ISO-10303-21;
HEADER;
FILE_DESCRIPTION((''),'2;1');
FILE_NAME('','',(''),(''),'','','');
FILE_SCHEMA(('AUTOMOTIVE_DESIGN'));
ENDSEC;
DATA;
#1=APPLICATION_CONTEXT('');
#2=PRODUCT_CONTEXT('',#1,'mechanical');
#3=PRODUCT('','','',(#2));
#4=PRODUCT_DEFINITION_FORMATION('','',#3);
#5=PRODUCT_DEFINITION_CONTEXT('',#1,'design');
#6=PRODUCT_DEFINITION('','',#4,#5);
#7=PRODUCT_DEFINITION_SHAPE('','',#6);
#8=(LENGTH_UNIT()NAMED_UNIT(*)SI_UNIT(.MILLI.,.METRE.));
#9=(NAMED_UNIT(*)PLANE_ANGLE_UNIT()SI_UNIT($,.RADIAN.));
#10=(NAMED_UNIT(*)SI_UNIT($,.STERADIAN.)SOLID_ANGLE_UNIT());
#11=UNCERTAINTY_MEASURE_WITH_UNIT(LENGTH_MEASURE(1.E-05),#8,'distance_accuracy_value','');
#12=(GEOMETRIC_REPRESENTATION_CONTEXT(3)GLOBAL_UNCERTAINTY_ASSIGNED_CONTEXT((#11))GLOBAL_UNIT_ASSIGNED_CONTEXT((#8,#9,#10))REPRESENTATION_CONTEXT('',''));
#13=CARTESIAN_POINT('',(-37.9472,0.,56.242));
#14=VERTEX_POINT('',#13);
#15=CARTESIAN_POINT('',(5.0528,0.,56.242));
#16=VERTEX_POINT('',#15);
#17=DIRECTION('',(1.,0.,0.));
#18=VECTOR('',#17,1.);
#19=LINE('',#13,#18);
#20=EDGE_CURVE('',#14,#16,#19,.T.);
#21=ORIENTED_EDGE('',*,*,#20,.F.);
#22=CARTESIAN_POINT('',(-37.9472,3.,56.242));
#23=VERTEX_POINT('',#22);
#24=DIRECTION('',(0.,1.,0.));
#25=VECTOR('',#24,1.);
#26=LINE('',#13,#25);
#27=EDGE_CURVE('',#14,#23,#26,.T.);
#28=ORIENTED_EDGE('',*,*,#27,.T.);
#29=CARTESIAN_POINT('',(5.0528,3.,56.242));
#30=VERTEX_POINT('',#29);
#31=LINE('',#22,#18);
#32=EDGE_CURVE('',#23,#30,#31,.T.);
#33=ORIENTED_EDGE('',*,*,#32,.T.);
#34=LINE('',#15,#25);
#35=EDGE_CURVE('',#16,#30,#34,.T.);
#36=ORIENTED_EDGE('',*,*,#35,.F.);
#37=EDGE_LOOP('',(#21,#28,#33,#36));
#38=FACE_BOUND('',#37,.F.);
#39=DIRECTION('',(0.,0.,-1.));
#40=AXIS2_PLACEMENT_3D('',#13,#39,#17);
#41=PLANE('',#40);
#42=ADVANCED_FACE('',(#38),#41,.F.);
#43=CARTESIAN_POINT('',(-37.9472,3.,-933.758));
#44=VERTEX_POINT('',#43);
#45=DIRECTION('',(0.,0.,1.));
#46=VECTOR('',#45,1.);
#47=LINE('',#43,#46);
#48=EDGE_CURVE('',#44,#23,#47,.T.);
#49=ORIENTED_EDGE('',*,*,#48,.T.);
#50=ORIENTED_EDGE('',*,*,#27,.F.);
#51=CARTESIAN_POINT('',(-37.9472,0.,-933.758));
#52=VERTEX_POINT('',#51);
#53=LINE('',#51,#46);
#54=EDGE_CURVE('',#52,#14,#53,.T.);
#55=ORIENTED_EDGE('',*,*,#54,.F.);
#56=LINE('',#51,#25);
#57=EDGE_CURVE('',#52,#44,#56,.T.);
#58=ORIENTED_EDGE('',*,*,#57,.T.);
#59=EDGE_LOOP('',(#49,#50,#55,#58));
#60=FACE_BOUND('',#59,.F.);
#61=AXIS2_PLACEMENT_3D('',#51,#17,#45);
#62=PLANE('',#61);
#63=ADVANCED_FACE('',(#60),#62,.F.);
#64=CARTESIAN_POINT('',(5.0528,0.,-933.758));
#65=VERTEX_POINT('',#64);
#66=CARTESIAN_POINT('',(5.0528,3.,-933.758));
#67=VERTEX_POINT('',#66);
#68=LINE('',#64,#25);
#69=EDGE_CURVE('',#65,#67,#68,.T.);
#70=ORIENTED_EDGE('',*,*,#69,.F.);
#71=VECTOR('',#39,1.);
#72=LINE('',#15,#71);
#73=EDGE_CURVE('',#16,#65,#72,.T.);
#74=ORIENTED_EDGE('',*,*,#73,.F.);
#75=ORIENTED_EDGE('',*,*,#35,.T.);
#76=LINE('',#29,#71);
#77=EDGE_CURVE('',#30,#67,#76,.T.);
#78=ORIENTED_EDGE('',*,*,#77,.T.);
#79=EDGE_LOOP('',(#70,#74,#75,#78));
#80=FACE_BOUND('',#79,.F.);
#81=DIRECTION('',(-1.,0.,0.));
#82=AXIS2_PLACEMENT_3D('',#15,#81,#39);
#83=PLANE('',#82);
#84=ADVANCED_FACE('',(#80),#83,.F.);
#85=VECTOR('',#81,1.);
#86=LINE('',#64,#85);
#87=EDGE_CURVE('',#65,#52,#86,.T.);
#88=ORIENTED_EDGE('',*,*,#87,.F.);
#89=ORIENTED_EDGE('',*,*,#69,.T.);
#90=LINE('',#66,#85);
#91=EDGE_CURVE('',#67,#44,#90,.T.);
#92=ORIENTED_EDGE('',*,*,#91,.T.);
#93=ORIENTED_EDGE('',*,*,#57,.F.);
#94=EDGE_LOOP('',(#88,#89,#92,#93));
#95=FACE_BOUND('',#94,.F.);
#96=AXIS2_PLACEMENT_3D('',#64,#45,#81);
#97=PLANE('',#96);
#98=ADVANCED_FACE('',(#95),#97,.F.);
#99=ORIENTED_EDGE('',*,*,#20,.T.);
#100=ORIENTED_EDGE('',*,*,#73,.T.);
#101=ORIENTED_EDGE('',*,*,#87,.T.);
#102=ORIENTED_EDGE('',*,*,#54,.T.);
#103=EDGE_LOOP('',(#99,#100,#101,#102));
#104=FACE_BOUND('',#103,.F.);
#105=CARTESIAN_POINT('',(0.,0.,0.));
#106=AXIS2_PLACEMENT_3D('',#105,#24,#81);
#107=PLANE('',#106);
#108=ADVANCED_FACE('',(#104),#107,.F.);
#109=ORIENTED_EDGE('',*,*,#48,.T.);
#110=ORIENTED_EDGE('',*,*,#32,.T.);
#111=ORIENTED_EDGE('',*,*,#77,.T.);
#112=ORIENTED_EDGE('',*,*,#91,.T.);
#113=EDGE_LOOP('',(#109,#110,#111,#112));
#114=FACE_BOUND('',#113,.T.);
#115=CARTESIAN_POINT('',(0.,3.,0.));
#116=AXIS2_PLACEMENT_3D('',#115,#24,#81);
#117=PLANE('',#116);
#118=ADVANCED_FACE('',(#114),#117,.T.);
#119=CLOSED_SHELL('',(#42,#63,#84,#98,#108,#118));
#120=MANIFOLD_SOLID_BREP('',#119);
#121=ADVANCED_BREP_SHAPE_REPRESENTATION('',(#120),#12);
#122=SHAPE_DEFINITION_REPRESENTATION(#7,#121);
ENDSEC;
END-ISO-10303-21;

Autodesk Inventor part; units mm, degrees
ref_plane "YZ Plane" through (0, 0, 0) normal (1, 0, 0) x (0, 1, 0)
ref_plane "XZ Plane" through (0, 0, 0) normal (0, 1, 0) x (-1, 0, 0)
ref_plane "XY Plane" through (0, 0, 0) normal (0, 0, 1) x (1, 0, 0)
sketch "Szkic1" plane through (0, 0, 0) normal (0, 1, 0) x (-1, 0, 0)
  line L0 (37.9472, 56.242) -> (-5.0528, 56.242)
  line L1 (-5.0528, 56.242) -> (-5.0528, -933.758)
  line L2 (-5.0528, -933.758) -> (37.9472, -933.758)
  line L3 (37.9472, -933.758) -> (37.9472, 56.242)
  point P0 (0, 0)
  dimension "d0" = 990
  dimension "d1" = 43
extrude "Wyciągnięcie proste1" add sketch "Szkic1" along normal blind 3
properties part number "tasiemka_do_zgrzewania_1"
